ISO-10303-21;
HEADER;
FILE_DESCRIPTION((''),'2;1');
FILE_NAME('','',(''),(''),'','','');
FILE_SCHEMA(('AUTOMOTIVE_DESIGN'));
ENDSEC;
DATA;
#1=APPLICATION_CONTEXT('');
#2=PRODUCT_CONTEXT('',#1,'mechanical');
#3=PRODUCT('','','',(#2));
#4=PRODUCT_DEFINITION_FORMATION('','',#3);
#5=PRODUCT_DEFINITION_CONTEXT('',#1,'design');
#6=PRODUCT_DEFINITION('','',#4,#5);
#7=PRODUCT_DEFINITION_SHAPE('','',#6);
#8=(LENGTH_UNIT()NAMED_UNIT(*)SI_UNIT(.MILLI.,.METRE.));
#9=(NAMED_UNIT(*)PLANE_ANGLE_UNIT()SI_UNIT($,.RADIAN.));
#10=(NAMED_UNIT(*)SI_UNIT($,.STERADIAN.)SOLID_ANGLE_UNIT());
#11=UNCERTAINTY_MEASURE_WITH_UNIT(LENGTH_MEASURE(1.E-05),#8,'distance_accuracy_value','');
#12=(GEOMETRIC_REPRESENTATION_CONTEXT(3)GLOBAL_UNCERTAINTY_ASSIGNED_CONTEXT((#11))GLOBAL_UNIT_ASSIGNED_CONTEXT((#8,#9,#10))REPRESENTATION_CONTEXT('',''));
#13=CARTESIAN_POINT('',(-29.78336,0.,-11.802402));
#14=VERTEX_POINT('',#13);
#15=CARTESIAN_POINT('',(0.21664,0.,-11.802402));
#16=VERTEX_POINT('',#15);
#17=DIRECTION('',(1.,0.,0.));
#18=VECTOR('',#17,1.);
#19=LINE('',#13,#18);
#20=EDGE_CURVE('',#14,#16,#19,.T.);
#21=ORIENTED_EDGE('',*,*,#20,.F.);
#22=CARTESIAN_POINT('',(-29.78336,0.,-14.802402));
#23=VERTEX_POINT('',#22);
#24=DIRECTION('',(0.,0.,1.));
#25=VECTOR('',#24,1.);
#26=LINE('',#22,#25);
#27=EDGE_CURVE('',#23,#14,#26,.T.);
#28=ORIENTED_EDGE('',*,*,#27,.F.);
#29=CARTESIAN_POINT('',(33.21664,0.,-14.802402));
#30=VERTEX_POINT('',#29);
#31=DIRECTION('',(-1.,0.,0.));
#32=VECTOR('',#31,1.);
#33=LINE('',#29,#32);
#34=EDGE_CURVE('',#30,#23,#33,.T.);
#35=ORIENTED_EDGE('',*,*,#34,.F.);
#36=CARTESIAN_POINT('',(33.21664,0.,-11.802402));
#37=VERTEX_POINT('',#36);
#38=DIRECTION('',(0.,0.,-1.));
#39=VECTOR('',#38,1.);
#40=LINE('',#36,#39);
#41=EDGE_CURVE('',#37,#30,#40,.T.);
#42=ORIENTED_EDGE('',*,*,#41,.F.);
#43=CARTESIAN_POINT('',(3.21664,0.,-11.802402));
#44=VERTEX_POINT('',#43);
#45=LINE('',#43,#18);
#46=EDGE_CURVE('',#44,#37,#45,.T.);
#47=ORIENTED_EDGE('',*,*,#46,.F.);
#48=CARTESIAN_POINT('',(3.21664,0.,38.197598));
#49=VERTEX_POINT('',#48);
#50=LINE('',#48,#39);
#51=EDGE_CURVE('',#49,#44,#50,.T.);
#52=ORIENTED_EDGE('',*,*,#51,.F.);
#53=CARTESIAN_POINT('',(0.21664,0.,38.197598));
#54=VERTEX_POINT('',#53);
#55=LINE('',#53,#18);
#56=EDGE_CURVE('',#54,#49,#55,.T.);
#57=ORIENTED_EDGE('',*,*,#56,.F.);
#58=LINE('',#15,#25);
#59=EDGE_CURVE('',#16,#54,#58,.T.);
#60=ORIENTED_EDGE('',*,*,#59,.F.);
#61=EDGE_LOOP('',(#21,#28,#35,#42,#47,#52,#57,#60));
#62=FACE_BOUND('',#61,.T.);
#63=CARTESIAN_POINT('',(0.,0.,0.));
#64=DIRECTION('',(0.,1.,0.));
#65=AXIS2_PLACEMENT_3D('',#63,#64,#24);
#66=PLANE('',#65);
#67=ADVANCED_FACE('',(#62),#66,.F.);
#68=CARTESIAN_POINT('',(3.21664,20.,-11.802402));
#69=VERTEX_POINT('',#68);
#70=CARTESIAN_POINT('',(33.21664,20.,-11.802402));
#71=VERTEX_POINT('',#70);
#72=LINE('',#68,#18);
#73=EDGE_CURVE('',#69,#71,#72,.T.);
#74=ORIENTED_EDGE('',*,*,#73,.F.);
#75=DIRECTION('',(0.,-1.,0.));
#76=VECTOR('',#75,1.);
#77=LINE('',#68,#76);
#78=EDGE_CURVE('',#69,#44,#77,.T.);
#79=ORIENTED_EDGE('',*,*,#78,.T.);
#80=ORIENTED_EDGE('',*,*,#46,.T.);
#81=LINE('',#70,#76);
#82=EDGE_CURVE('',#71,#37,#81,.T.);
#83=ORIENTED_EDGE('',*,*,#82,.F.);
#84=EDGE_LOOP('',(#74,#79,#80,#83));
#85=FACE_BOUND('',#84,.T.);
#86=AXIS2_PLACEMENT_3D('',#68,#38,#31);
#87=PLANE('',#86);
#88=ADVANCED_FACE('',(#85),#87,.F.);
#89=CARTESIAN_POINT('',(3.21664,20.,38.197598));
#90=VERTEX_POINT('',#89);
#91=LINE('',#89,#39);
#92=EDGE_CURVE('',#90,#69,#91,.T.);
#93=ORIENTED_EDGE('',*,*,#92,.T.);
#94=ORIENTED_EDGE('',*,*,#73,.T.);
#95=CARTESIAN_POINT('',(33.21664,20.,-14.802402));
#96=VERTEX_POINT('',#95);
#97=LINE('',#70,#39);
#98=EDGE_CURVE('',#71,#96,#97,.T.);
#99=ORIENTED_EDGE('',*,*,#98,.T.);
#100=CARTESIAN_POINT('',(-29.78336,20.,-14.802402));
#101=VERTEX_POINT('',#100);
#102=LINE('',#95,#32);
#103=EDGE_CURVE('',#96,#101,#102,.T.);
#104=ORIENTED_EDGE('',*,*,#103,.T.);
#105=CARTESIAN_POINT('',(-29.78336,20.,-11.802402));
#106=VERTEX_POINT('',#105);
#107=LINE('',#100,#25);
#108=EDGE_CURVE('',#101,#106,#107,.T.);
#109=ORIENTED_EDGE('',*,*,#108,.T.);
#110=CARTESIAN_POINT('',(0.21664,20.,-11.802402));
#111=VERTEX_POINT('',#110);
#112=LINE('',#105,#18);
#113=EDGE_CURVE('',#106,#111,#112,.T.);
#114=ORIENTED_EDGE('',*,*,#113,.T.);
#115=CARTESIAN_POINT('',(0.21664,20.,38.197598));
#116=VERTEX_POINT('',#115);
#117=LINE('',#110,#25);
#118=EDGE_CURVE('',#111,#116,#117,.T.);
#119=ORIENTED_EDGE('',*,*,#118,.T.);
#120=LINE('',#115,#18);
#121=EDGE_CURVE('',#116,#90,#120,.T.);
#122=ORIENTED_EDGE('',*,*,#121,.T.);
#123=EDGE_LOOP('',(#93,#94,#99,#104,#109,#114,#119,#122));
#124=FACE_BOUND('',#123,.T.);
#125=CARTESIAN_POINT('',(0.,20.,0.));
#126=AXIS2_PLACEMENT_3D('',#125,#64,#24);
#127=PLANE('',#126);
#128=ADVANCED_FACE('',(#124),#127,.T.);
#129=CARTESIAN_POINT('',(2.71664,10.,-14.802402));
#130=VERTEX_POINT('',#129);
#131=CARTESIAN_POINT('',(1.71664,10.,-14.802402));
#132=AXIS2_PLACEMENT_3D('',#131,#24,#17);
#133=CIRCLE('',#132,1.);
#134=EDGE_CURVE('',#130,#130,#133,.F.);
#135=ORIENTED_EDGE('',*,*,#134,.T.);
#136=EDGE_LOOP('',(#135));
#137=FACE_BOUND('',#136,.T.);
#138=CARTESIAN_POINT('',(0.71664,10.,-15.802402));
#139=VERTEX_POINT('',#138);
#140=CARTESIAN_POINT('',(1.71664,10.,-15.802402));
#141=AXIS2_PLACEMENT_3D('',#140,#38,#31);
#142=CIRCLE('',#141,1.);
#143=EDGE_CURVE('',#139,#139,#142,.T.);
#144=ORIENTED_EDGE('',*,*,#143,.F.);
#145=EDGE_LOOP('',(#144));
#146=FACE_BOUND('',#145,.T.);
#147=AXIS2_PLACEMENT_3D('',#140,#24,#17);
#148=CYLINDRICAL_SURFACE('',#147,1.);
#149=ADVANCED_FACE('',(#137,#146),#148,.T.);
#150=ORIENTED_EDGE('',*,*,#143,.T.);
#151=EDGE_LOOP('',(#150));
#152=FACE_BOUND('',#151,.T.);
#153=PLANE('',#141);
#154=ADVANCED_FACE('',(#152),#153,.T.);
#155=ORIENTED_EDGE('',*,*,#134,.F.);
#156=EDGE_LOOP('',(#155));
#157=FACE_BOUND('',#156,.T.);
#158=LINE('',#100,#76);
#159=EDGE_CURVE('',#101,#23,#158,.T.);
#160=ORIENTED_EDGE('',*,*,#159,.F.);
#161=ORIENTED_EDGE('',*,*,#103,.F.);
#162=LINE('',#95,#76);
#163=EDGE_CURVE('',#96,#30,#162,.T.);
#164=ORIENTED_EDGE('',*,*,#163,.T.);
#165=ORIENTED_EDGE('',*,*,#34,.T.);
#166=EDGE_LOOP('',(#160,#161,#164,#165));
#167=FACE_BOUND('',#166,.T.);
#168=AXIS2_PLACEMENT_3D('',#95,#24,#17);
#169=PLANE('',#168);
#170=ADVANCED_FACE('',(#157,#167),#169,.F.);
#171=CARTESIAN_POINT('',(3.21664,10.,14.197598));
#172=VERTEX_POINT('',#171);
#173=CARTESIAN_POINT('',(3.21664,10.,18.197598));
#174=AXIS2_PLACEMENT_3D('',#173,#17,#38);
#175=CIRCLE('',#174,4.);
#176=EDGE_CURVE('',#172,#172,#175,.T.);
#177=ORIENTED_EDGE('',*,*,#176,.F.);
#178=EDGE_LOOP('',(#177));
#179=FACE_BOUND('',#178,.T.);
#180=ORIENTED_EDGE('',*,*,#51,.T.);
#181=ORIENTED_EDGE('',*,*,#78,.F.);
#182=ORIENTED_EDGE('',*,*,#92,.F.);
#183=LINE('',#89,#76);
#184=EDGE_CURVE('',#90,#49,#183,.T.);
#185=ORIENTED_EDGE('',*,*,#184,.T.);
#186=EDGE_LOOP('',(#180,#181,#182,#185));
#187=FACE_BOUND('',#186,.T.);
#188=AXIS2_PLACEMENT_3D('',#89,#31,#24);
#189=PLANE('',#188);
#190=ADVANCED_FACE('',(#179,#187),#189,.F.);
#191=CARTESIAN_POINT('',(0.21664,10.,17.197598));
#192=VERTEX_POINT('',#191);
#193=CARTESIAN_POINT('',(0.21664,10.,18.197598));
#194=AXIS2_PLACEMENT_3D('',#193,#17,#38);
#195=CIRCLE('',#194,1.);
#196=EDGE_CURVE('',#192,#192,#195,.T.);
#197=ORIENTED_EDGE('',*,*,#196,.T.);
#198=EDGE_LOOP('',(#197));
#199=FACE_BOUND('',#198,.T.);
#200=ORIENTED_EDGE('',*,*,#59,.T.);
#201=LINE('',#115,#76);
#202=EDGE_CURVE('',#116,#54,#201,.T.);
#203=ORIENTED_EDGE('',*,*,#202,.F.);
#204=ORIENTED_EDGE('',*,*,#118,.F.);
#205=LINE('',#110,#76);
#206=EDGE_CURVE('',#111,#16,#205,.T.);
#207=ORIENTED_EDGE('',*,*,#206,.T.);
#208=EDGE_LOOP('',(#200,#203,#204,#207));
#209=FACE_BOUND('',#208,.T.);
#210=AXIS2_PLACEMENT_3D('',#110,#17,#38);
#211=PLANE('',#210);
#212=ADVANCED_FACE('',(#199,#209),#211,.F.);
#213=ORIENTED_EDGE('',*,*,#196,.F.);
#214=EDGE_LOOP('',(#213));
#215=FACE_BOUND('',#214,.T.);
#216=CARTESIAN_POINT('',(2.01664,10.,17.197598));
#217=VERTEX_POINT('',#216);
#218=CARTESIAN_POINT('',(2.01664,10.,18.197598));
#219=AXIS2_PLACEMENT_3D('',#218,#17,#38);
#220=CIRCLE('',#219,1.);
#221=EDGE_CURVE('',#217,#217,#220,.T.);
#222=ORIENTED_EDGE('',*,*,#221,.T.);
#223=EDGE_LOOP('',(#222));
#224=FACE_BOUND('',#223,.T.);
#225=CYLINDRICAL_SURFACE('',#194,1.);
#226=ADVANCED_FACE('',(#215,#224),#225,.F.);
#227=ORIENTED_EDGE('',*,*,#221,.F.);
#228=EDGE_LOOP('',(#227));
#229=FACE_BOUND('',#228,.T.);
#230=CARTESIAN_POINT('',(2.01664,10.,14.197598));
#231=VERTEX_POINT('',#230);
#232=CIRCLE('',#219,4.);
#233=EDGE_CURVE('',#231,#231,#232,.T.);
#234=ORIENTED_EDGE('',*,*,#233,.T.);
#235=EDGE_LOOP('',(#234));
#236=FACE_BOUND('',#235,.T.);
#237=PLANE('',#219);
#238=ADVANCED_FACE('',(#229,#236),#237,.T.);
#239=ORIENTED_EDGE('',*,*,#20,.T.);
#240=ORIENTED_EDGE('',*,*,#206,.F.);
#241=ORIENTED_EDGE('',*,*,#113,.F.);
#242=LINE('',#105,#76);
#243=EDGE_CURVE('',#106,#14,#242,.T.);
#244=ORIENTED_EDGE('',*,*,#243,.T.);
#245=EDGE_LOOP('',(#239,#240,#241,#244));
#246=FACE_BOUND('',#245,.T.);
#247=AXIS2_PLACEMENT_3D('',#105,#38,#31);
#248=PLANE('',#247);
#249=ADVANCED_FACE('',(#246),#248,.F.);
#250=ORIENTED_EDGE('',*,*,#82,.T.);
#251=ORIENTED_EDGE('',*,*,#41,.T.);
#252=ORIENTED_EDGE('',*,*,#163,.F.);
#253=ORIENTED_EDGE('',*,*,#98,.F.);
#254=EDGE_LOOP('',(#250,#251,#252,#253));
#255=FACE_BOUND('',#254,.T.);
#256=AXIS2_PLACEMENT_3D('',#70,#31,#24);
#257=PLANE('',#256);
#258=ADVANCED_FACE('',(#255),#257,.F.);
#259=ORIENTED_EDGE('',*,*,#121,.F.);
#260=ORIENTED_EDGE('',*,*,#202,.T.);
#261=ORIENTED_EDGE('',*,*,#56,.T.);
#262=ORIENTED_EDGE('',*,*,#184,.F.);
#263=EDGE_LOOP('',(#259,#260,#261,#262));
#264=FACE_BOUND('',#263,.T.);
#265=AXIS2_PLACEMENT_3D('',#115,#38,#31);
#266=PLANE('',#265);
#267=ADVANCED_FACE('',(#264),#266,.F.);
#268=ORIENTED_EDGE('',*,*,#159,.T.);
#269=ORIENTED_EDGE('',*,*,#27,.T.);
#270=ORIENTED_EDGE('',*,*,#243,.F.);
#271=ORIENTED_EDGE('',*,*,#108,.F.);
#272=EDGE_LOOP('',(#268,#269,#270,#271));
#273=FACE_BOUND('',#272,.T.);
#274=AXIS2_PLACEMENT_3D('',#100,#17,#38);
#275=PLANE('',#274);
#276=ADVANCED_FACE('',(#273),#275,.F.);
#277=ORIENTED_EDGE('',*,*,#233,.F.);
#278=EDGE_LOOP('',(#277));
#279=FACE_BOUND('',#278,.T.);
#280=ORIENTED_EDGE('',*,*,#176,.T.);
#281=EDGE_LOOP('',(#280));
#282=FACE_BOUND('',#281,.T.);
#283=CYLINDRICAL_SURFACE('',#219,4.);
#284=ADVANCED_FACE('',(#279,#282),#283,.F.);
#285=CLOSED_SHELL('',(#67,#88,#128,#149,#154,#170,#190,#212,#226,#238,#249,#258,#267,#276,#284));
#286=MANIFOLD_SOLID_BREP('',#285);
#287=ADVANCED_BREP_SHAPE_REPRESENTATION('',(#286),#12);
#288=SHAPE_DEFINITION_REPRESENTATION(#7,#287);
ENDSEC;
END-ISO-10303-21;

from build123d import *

# Parameters (mm, degrees)
SALIENTE_EXTRUIR1_DEPTH = 20
CROQUIS2_R              = 4
CORTAR_EXTRUIR1_DEPTH   = 1.2
CROQUIS3_R              = 1
CORTAR_EXTRUIR2_DEPTH   = 1.8
CROQUIS5_R              = 1
SALIENTE_EXTRUIR2_DEPTH = 1


with BuildPart() as part:
    # Croquis1 → Saliente-Extruir1 (new body)
    with BuildSketch(Plane(origin=(0, 0, 0), x_dir=(1, 0, 0), z_dir=(0, 1, 0))):
        Polygon((3.21663979, -38.197597505), (3.21663979, 11.802402495), (33.21663979, 11.802402495), (33.21663979, 14.802402495), (-29.78336021, 14.802402495), (-29.78336021, 11.802402495), (0.21663979, 11.802402495), (0.21663979, -38.197597505), align=None)
    extrude(amount=SALIENTE_EXTRUIR1_DEPTH)

    # Croquis2 → Cortar-Extruir1 (cut)
    with BuildSketch(Plane(origin=(3.21663979, 0, 0), x_dir=(0, 0, -1), z_dir=(1, 0, 0))):
        with Locations((-18.197597505, 10)):
            Circle(CROQUIS2_R)
    extrude(amount=-CORTAR_EXTRUIR1_DEPTH, mode=Mode.SUBTRACT)

    # Croquis3 → Cortar-Extruir2 (cut)
    with BuildSketch(Plane(origin=(2.01663979, 0, 0), x_dir=(0, 0, -1), z_dir=(1, 0, 0))):
        with Locations((-18.197597505, 10)):
            Circle(CROQUIS3_R)
    extrude(amount=-CORTAR_EXTRUIR2_DEPTH, mode=Mode.SUBTRACT)

    # Croquis5 → Saliente-Extruir2 (add)
    with BuildSketch(Plane(origin=(0, 0, -14.802402495), x_dir=(-1, 0, 0), z_dir=(0, 0, -1))):
        with Locations(Location((-1.71663979, 10, 0), (0, 0, 180))):
            Circle(CROQUIS5_R)
    extrude(amount=SALIENTE_EXTRUIR2_DEPTH)


solid = part.part
